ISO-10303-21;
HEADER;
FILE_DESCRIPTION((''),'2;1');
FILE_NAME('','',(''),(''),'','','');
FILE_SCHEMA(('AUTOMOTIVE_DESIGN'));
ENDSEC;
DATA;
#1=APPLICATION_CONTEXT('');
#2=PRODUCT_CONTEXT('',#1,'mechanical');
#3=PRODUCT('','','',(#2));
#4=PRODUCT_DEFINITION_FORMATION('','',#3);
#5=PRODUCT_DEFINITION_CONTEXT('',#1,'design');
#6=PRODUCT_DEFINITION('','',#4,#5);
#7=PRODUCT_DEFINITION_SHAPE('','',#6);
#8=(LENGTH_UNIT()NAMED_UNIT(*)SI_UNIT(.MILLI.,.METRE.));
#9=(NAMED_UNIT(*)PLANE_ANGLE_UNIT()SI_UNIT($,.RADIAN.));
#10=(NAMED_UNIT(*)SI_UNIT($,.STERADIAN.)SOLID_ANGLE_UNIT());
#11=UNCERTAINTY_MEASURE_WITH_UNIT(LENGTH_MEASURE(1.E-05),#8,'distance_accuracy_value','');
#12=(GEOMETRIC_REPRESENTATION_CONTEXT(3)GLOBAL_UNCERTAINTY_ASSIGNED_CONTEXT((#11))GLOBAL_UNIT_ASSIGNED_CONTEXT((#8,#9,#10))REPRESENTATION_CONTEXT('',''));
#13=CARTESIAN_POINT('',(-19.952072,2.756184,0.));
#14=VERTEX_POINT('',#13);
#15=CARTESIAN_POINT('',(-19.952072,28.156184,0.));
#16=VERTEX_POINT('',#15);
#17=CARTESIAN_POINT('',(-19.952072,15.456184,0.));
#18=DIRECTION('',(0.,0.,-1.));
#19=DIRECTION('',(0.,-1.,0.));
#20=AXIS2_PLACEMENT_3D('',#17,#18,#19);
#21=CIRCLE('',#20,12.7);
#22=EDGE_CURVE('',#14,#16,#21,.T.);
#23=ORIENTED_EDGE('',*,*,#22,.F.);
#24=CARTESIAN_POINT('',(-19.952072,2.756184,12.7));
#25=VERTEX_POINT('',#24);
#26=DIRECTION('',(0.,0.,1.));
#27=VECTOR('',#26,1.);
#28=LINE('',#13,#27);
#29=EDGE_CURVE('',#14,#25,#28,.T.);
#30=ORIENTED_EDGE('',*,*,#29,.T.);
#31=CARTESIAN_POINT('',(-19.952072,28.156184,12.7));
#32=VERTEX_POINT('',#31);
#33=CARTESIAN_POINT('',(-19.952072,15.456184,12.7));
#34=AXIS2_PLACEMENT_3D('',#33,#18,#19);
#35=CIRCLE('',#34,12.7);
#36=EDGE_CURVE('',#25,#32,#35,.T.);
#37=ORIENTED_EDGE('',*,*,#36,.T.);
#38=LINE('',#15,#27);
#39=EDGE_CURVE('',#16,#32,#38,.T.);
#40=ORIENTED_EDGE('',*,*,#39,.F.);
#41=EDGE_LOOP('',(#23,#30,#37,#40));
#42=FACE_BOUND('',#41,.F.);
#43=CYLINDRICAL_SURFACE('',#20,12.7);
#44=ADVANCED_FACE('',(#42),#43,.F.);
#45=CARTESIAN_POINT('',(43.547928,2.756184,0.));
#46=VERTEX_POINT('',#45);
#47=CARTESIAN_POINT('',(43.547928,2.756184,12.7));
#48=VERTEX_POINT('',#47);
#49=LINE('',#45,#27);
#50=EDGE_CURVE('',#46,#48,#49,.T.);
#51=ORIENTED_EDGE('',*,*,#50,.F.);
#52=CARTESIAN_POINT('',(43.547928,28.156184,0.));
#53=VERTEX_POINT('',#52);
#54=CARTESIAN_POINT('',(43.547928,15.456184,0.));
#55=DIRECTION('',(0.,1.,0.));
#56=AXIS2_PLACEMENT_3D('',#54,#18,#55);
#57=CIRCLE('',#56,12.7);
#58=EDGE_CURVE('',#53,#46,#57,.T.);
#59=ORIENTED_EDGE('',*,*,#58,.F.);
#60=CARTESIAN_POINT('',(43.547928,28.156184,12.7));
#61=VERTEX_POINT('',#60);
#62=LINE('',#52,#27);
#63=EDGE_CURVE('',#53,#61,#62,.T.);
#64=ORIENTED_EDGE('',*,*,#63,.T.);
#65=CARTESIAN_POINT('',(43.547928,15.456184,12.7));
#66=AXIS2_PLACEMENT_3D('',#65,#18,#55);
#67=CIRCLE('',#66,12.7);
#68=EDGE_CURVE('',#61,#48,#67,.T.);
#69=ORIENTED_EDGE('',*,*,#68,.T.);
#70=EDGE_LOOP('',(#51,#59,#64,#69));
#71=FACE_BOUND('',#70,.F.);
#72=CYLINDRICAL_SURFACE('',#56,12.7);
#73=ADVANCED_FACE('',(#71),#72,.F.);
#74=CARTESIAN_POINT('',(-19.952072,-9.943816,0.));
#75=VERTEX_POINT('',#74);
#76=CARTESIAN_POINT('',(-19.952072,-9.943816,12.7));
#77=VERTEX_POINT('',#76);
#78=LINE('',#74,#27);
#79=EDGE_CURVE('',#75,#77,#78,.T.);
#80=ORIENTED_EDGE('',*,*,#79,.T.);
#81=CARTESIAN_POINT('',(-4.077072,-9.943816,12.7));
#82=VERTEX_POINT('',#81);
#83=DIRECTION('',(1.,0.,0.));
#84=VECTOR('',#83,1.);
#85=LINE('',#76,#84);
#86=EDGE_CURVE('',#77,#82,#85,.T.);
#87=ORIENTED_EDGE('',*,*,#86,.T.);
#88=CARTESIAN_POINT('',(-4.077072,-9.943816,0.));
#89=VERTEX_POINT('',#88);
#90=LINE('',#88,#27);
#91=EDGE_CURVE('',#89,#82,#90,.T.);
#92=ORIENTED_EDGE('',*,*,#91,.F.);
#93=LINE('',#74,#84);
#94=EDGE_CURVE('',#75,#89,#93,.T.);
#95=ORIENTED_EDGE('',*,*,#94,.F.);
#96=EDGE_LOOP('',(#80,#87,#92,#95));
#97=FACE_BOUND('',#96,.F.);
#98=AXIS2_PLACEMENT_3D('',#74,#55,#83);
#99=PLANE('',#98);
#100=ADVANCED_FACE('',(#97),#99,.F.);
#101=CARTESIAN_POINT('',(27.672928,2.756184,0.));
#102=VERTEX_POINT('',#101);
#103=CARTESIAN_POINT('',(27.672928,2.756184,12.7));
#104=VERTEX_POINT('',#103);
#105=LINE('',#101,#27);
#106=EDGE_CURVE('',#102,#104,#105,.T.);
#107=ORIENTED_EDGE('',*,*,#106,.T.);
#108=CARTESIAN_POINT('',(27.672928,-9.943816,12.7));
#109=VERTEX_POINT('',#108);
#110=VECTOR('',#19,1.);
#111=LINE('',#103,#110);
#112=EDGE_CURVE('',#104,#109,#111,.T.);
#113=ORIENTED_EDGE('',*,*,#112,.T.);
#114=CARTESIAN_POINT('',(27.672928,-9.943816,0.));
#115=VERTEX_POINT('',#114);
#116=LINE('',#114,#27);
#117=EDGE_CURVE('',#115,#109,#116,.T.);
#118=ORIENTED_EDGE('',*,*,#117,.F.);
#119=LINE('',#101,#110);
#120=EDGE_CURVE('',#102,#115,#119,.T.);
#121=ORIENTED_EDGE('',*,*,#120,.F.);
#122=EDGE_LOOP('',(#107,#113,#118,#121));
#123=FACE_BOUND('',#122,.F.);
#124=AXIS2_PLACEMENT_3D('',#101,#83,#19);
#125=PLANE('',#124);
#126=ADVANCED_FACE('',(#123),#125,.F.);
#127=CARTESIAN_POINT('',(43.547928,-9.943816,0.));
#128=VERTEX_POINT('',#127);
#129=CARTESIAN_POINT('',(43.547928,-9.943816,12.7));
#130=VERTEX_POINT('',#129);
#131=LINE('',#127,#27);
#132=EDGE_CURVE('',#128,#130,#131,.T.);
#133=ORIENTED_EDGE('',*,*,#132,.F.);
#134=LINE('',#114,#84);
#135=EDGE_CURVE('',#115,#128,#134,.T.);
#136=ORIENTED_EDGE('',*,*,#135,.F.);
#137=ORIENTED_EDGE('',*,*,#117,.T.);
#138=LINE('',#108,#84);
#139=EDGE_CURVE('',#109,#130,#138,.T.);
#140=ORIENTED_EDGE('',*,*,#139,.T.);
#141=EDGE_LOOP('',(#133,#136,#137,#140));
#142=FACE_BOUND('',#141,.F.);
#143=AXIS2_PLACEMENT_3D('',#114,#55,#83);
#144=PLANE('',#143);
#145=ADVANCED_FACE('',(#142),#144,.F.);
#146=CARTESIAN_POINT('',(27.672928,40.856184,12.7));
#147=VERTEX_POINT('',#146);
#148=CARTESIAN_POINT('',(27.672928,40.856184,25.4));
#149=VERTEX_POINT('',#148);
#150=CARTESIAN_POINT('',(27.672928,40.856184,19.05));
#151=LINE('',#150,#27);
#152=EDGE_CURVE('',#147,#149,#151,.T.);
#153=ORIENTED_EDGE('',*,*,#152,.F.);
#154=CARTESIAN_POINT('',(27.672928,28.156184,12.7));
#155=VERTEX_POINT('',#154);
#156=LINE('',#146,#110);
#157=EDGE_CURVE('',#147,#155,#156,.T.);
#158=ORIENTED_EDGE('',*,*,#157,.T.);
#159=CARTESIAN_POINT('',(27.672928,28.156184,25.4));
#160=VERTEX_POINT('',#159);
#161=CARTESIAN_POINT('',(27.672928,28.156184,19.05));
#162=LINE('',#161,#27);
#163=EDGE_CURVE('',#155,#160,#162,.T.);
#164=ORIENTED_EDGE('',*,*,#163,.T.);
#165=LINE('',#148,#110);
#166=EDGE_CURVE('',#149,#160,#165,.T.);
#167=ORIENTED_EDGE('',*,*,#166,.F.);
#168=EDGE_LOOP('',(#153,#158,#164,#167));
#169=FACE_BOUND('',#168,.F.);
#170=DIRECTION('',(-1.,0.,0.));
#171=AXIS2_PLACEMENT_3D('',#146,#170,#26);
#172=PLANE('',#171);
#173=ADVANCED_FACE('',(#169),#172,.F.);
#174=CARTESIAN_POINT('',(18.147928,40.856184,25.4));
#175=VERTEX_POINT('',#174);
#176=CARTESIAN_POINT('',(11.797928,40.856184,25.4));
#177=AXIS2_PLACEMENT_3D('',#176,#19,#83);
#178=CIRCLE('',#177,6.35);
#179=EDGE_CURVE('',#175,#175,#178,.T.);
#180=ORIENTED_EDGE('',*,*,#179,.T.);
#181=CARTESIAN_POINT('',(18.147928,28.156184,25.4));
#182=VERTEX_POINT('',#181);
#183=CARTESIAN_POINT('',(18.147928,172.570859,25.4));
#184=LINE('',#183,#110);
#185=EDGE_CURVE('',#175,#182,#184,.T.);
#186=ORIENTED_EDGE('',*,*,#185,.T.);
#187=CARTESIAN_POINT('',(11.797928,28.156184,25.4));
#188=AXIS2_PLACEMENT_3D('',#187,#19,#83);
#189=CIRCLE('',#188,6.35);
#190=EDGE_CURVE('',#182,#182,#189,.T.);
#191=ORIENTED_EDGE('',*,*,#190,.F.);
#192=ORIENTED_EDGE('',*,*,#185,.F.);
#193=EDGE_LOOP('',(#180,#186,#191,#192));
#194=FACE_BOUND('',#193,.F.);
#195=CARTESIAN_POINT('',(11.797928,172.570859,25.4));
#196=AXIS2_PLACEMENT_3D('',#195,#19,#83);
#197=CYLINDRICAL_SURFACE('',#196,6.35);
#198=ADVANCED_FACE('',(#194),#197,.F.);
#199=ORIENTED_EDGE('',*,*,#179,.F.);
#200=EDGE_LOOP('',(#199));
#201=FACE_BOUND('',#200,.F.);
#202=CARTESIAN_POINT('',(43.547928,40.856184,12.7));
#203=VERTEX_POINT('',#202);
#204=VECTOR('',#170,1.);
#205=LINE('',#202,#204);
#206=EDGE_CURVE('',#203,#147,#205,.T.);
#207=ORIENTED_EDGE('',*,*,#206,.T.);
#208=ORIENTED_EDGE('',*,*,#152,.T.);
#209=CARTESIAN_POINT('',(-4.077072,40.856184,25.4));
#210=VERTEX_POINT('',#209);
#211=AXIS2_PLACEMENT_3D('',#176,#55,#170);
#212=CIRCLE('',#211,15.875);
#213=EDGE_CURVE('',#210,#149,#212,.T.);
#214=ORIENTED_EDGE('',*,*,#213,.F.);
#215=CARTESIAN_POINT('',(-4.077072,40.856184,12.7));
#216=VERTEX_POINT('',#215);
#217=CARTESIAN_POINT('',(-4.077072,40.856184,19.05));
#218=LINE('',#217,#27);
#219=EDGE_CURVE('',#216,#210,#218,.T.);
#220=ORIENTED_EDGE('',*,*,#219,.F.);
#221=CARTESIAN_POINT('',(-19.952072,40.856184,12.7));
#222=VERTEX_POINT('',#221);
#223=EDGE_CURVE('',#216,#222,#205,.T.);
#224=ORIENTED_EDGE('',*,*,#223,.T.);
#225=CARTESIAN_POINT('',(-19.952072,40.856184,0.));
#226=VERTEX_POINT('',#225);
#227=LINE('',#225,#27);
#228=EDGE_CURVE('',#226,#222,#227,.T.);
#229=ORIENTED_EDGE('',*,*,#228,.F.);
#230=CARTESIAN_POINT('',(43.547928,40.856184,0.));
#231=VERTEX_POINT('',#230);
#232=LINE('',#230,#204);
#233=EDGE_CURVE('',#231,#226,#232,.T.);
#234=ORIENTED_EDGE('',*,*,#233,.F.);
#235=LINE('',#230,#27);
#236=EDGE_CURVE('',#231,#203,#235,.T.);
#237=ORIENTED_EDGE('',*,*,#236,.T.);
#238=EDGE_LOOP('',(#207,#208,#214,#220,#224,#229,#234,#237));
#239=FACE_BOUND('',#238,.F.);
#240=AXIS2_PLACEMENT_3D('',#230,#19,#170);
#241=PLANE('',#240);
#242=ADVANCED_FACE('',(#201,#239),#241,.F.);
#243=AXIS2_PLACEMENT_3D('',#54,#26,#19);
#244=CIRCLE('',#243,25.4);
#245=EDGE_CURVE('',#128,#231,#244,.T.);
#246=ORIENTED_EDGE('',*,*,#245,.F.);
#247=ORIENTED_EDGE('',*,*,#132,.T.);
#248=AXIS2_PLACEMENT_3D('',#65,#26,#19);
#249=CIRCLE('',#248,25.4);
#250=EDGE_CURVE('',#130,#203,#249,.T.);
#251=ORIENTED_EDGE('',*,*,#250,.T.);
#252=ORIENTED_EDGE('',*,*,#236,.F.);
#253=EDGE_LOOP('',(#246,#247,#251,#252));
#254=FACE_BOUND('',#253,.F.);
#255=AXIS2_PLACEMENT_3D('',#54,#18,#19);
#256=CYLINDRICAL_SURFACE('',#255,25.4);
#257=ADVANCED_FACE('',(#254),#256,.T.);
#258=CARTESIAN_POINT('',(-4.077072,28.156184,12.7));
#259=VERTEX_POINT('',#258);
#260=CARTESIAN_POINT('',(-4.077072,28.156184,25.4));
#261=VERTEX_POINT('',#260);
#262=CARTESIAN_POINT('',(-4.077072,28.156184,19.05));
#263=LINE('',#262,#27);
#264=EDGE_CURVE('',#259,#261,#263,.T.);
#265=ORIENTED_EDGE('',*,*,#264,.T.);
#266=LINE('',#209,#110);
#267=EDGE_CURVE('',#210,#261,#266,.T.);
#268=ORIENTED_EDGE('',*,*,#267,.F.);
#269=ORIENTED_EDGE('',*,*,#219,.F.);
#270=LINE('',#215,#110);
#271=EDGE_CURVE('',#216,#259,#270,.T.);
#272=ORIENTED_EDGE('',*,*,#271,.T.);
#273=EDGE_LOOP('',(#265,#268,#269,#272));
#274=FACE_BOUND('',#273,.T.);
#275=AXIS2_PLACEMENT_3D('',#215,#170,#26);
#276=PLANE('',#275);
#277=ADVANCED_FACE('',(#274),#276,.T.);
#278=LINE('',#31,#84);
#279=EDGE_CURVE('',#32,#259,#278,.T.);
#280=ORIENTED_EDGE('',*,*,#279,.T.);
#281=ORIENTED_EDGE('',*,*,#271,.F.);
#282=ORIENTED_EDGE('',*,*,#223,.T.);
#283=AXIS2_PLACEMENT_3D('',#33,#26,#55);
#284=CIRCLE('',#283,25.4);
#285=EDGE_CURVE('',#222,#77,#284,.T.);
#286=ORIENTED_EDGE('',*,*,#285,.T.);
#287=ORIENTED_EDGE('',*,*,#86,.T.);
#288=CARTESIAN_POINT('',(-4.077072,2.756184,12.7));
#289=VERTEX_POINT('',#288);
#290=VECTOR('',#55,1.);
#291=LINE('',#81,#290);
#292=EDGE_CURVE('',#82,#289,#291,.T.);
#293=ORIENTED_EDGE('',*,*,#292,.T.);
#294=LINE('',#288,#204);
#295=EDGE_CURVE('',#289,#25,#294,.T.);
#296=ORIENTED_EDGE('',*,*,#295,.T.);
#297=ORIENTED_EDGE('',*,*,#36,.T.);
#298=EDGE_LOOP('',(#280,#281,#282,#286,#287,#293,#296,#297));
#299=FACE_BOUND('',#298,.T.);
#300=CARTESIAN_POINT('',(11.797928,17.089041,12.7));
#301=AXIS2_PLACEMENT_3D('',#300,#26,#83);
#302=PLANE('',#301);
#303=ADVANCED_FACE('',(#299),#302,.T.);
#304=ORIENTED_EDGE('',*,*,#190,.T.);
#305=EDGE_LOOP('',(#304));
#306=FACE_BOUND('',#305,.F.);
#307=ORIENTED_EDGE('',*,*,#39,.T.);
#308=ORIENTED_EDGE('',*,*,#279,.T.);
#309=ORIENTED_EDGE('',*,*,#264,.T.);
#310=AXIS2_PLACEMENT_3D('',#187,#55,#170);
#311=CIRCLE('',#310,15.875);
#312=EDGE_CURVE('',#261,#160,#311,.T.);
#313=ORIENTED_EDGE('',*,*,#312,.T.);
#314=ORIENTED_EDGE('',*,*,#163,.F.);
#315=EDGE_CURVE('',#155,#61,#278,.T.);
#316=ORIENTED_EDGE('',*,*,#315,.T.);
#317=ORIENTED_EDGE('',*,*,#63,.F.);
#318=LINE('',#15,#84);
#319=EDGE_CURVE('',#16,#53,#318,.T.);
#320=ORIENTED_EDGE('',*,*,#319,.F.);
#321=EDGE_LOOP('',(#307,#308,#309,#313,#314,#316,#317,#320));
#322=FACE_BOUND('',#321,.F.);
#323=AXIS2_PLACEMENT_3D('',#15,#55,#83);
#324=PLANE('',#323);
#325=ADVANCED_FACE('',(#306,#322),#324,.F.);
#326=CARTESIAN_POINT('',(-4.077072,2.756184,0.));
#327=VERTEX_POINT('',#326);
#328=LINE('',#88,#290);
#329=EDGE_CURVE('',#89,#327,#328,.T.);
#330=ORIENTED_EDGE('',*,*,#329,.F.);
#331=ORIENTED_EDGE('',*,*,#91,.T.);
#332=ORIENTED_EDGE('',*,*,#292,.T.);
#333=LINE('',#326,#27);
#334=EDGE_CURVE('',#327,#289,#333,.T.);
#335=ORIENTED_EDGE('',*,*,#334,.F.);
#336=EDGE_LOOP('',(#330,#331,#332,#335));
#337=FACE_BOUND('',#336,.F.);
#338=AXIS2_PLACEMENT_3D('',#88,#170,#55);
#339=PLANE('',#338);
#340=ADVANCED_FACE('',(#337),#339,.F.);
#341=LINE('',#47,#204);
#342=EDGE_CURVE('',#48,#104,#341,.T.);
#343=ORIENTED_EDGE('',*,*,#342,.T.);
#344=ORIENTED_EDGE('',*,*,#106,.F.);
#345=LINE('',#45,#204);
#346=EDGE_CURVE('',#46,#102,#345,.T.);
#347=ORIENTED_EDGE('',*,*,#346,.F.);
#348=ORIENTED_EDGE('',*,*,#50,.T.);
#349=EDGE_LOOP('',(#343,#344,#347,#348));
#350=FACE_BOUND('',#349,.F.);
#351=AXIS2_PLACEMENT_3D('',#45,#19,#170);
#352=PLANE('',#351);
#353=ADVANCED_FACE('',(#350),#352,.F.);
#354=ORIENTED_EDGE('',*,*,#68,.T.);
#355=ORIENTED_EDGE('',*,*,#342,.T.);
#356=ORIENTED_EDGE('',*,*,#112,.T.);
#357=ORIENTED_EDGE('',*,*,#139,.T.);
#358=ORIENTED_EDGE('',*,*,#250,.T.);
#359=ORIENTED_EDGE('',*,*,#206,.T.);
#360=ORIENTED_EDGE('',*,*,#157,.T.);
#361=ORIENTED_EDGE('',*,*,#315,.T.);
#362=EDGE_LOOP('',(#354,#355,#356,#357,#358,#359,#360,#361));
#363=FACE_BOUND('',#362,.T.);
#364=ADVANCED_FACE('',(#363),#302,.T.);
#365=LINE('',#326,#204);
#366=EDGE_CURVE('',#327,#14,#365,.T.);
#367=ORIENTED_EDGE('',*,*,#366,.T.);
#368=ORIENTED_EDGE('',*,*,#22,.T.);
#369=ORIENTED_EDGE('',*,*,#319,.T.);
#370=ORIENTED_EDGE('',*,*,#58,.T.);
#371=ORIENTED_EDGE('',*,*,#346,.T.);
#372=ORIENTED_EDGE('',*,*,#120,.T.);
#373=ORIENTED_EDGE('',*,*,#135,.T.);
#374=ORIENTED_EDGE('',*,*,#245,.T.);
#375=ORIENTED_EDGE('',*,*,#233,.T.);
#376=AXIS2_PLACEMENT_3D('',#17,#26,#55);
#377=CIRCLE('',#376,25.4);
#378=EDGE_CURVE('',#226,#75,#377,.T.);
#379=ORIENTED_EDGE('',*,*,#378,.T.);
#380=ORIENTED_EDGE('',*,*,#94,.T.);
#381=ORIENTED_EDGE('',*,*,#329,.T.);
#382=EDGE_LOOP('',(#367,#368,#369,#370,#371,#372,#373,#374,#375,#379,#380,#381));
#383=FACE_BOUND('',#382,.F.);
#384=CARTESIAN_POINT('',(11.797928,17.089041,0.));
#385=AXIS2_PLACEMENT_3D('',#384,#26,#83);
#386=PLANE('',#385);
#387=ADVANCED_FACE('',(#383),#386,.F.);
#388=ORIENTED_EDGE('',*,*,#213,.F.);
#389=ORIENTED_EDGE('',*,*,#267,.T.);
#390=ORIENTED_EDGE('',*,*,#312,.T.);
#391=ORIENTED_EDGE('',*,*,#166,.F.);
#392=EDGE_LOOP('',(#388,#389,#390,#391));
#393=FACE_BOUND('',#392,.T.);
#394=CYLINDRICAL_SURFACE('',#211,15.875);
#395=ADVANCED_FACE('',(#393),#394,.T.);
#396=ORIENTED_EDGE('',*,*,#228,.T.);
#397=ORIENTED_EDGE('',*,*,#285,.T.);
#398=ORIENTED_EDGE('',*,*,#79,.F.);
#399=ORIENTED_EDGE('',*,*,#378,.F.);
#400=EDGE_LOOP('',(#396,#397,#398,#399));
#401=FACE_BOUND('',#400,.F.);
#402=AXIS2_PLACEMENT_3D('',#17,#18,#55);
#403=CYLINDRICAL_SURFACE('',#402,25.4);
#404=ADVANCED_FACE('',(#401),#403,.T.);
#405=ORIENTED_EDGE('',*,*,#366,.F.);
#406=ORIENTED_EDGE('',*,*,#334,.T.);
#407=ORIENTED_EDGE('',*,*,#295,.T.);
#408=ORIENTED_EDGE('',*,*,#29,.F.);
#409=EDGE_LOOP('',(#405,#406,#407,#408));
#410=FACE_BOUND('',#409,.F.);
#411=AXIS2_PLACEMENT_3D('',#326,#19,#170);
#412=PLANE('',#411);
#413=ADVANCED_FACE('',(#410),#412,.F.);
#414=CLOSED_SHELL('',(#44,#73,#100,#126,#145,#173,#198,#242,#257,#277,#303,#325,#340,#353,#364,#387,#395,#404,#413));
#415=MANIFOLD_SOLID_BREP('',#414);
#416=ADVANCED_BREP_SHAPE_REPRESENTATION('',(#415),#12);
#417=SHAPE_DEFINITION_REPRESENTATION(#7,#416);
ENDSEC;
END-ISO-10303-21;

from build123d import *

# Parameters (mm, degrees)
F1_DEPTH = 12.7
F2_W     = 31.75
F2_H     = 12.7
F3_DEPTH = 12.7
F4_D     = 12.7


with BuildPart() as f1:
    # F0 (on Top) → F1 (new body)
    with BuildSketch(Plane.XY):
        with BuildLine():
            Line((43.547928, 2.756184), (27.672928, 2.756184))
            Line((27.672928, 2.756184), (27.672928, -9.943816))
            Line((27.672928, -9.943816), (43.547928, -9.943816))
            ThreePointArc((43.547928, -9.943816), (68.947928, 15.456184), (43.547928, 40.856184))
            Line((43.547928, 40.856184), (-19.952072, 40.856184))
            ThreePointArc((-19.952072, 40.856184), (-45.352072, 15.456184), (-19.952072, -9.943816))
            Line((-19.952072, -9.943816), (-4.077072, -9.943816))
            Line((-4.077072, -9.943816), (-4.077072, 2.756184))
            Line((-4.077072, 2.756184), (-19.952072, 2.756184))
            ThreePointArc((-19.952072, 2.756184), (-32.652072, 15.456184), (-19.952072, 28.156184))
            Line((-19.952072, 28.156184), (43.547928, 28.156184))
            ThreePointArc((43.547928, 28.156184), (56.247928, 15.456184), (43.547928, 2.756184))
        make_face()
    extrude(amount=F1_DEPTH)

    # F2 (on face) → F3 (join)
    with BuildSketch(Plane(origin=(0, 40.856184, 0), x_dir=(-1, 0, 0), z_dir=(0, 1, 0))):
        with Locations((-11.797928, 19.05)):
            Rectangle(F2_W, F2_H)
        with BuildLine():
            ThreePointArc((4.077072, 25.4), (-11.797928, 41.275), (-27.672928, 25.4))
            Line((-27.672928, 25.4), (4.077072, 25.4))
        make_face()
    extrude(amount=-F3_DEPTH)

    # F4 (through all)
    with Locations(Plane(origin=(0, 40.856184, 0), x_dir=(-1, 0, 0), z_dir=(0, 1, 0))):
        with Locations((-11.797928, 25.4)):
            Hole(F4_D / 2)


solid = f1.part
